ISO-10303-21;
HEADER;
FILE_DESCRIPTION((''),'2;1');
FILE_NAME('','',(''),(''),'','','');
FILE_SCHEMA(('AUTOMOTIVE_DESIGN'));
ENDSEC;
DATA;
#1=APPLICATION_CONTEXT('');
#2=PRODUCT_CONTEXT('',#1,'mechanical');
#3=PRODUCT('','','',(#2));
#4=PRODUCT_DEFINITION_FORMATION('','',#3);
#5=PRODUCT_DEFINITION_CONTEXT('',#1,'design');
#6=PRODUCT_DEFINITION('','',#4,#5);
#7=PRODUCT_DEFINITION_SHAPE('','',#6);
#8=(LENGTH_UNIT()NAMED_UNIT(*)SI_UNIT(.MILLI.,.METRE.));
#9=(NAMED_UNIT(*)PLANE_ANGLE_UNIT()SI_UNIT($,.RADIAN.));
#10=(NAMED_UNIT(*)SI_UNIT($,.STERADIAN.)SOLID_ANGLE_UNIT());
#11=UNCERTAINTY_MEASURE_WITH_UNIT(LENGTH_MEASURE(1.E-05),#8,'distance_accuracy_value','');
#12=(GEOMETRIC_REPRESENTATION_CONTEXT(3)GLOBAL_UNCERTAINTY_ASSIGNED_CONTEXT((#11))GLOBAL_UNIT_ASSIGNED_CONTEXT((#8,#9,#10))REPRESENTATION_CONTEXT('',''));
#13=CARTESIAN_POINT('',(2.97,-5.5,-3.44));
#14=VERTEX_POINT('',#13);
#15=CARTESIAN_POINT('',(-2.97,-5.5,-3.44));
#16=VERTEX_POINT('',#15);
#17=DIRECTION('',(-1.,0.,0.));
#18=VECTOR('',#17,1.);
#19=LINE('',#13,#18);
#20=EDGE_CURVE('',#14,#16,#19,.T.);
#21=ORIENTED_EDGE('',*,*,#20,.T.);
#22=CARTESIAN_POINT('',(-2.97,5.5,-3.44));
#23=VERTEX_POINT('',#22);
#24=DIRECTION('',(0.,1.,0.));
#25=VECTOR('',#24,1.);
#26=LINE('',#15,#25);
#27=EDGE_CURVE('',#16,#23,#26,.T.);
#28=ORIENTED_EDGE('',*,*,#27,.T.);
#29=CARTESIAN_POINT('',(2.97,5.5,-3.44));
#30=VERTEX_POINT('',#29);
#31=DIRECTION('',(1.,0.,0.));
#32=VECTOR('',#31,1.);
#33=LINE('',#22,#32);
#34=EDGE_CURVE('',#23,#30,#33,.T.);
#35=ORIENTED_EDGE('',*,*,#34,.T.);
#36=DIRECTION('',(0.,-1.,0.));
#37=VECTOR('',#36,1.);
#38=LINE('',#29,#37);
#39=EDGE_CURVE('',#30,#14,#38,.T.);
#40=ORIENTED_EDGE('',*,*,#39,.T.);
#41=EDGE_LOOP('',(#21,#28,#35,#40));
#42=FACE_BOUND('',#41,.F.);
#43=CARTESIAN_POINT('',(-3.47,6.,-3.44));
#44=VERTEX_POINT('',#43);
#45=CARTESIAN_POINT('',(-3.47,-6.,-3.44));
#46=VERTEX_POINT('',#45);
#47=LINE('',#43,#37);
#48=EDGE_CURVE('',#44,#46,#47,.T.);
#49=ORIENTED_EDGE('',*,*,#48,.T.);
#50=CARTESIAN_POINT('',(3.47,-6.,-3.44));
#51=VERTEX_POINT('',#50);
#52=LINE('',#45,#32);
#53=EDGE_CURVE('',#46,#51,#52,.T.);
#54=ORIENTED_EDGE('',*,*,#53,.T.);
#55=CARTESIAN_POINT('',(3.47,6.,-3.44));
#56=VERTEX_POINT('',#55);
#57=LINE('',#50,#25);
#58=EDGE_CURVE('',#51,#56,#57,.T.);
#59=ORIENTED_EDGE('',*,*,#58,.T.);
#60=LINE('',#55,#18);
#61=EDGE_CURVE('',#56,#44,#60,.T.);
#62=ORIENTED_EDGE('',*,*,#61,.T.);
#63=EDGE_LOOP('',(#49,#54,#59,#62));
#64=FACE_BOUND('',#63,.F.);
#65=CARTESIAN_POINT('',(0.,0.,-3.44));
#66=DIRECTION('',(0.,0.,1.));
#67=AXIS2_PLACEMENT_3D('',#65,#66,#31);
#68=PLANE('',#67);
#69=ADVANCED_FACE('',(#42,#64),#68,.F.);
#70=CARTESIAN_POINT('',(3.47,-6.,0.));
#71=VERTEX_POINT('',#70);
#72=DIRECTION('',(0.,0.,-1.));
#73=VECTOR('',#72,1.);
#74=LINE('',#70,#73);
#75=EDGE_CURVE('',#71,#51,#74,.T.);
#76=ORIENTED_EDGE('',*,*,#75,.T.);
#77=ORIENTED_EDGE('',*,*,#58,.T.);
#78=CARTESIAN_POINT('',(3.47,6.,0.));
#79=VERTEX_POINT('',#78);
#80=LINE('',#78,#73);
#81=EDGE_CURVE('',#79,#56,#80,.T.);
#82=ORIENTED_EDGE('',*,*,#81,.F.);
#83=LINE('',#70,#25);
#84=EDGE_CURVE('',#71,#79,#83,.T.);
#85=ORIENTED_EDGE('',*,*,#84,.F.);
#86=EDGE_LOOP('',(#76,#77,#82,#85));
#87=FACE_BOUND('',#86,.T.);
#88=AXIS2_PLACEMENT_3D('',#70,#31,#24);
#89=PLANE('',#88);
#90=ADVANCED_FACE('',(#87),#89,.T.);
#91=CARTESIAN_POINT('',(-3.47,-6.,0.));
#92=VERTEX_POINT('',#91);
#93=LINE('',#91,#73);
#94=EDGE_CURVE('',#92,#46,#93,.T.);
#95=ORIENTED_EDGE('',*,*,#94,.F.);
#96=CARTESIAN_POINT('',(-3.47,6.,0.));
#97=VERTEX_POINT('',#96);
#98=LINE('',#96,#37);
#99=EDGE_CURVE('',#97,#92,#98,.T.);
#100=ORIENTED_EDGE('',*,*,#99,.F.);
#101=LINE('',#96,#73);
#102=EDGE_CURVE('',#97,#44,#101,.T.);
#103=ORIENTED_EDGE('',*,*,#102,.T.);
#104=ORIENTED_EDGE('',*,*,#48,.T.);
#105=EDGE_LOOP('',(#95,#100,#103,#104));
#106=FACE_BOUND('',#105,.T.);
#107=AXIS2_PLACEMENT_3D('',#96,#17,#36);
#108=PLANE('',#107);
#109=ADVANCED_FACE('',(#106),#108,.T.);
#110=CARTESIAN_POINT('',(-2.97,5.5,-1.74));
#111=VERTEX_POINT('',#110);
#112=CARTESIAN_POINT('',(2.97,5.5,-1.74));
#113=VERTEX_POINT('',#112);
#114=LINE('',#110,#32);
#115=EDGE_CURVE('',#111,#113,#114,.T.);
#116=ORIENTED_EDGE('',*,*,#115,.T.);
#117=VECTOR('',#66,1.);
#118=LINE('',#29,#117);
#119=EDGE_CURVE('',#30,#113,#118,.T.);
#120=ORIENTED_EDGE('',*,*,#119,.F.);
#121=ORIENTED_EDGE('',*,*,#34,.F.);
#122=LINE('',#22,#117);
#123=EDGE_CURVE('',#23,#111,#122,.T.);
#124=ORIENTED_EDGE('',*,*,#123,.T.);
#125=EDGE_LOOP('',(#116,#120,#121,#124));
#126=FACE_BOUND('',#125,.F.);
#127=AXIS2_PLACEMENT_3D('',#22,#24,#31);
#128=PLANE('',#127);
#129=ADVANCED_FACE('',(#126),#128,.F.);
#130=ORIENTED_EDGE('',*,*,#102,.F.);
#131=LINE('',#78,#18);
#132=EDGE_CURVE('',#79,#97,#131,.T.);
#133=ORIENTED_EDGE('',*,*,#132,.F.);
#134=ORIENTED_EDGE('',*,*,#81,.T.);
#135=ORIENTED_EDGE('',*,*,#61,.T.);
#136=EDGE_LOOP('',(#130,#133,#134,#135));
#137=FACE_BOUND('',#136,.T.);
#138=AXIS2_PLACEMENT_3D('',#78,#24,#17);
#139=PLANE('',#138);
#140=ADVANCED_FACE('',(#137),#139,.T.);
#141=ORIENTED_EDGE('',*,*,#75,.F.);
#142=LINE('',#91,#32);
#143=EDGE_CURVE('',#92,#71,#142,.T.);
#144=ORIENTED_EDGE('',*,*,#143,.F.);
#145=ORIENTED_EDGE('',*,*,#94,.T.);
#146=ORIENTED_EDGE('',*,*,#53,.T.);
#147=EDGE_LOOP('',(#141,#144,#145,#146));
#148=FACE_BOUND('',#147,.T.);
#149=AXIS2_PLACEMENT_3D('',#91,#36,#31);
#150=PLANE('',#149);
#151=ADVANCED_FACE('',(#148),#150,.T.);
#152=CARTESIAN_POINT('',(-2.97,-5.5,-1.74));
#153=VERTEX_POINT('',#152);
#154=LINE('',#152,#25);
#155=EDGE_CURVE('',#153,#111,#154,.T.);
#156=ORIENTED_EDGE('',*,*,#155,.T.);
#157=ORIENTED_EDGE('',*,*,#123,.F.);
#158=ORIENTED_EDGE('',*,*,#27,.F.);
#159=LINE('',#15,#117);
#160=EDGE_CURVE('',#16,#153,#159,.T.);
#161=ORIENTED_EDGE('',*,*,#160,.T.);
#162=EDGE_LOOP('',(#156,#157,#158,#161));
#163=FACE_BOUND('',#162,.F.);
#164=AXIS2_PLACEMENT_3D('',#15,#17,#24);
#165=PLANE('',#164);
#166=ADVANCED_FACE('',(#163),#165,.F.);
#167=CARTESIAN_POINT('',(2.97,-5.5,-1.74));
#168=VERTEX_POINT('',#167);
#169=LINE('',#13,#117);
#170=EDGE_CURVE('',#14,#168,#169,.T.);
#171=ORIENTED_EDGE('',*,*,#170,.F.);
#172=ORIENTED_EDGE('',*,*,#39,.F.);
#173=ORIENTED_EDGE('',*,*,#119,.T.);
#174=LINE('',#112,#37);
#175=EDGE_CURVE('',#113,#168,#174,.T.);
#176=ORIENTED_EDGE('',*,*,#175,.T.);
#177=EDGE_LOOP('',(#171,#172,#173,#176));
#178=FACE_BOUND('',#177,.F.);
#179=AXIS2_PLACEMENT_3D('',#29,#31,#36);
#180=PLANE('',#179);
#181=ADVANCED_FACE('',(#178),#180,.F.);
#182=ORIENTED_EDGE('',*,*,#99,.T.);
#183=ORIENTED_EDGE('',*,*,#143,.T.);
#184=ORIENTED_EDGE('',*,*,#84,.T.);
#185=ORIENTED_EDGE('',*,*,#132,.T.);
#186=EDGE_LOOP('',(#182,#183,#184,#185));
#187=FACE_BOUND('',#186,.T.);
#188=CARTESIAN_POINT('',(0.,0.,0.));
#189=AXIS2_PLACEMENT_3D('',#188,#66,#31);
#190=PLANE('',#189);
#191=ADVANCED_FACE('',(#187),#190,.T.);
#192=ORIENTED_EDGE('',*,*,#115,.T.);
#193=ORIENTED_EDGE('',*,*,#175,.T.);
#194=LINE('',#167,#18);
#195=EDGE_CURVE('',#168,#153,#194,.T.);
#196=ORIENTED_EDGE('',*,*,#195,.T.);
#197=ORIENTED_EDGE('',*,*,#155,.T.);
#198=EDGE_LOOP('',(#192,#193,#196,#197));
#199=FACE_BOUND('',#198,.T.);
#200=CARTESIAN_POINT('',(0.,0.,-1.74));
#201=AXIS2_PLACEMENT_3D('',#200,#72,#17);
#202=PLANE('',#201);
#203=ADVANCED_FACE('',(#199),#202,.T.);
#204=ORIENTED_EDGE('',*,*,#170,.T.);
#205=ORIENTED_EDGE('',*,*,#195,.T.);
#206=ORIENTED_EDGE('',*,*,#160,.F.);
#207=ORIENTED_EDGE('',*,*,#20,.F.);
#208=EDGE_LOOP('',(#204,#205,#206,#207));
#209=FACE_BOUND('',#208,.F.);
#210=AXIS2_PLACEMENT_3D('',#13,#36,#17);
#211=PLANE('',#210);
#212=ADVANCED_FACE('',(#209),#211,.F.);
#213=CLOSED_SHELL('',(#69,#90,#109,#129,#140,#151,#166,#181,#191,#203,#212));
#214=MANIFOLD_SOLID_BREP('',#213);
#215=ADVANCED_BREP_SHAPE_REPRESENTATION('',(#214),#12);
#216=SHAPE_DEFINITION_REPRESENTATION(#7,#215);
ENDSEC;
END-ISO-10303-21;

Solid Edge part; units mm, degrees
sketch "Sketch1" plane through (0, 0, 0) normal (0, 0, 1) x (1, 0, 0)
  line L0 (-3.47, -6) -> (3.47, -6)
  line L1 (3.47, -6) -> (3.47, 6)
  line L2 (3.47, 6) -> (-3.47, 6)
  line L3 (-3.47, 6) -> (-3.47, -6)
  dimension "D1" = 12
  dimension "D2" = 6.94
extrude "Protrusion1" add sketch "Sketch1" against normal blind 3.44
sketch "Sketch2" plane through (0, 0, -3.44) normal (0, 0, -1) x (1, 0, 0)
  line L0 (-2.97, -5.5) -> (2.97, -5.5)
  line L1 (2.97, -5.5) -> (2.97, 5.5)
  line L2 (2.97, 5.5) -> (-2.97, 5.5)
  line L3 (-2.97, 5.5) -> (-2.97, -5.5)
  dimension "D1" = 0.5
  dimension "D2" = 0.5
extrude "Extrusionsausschnitt_1" cut sketch "Sketch2" against normal blind 1.7
